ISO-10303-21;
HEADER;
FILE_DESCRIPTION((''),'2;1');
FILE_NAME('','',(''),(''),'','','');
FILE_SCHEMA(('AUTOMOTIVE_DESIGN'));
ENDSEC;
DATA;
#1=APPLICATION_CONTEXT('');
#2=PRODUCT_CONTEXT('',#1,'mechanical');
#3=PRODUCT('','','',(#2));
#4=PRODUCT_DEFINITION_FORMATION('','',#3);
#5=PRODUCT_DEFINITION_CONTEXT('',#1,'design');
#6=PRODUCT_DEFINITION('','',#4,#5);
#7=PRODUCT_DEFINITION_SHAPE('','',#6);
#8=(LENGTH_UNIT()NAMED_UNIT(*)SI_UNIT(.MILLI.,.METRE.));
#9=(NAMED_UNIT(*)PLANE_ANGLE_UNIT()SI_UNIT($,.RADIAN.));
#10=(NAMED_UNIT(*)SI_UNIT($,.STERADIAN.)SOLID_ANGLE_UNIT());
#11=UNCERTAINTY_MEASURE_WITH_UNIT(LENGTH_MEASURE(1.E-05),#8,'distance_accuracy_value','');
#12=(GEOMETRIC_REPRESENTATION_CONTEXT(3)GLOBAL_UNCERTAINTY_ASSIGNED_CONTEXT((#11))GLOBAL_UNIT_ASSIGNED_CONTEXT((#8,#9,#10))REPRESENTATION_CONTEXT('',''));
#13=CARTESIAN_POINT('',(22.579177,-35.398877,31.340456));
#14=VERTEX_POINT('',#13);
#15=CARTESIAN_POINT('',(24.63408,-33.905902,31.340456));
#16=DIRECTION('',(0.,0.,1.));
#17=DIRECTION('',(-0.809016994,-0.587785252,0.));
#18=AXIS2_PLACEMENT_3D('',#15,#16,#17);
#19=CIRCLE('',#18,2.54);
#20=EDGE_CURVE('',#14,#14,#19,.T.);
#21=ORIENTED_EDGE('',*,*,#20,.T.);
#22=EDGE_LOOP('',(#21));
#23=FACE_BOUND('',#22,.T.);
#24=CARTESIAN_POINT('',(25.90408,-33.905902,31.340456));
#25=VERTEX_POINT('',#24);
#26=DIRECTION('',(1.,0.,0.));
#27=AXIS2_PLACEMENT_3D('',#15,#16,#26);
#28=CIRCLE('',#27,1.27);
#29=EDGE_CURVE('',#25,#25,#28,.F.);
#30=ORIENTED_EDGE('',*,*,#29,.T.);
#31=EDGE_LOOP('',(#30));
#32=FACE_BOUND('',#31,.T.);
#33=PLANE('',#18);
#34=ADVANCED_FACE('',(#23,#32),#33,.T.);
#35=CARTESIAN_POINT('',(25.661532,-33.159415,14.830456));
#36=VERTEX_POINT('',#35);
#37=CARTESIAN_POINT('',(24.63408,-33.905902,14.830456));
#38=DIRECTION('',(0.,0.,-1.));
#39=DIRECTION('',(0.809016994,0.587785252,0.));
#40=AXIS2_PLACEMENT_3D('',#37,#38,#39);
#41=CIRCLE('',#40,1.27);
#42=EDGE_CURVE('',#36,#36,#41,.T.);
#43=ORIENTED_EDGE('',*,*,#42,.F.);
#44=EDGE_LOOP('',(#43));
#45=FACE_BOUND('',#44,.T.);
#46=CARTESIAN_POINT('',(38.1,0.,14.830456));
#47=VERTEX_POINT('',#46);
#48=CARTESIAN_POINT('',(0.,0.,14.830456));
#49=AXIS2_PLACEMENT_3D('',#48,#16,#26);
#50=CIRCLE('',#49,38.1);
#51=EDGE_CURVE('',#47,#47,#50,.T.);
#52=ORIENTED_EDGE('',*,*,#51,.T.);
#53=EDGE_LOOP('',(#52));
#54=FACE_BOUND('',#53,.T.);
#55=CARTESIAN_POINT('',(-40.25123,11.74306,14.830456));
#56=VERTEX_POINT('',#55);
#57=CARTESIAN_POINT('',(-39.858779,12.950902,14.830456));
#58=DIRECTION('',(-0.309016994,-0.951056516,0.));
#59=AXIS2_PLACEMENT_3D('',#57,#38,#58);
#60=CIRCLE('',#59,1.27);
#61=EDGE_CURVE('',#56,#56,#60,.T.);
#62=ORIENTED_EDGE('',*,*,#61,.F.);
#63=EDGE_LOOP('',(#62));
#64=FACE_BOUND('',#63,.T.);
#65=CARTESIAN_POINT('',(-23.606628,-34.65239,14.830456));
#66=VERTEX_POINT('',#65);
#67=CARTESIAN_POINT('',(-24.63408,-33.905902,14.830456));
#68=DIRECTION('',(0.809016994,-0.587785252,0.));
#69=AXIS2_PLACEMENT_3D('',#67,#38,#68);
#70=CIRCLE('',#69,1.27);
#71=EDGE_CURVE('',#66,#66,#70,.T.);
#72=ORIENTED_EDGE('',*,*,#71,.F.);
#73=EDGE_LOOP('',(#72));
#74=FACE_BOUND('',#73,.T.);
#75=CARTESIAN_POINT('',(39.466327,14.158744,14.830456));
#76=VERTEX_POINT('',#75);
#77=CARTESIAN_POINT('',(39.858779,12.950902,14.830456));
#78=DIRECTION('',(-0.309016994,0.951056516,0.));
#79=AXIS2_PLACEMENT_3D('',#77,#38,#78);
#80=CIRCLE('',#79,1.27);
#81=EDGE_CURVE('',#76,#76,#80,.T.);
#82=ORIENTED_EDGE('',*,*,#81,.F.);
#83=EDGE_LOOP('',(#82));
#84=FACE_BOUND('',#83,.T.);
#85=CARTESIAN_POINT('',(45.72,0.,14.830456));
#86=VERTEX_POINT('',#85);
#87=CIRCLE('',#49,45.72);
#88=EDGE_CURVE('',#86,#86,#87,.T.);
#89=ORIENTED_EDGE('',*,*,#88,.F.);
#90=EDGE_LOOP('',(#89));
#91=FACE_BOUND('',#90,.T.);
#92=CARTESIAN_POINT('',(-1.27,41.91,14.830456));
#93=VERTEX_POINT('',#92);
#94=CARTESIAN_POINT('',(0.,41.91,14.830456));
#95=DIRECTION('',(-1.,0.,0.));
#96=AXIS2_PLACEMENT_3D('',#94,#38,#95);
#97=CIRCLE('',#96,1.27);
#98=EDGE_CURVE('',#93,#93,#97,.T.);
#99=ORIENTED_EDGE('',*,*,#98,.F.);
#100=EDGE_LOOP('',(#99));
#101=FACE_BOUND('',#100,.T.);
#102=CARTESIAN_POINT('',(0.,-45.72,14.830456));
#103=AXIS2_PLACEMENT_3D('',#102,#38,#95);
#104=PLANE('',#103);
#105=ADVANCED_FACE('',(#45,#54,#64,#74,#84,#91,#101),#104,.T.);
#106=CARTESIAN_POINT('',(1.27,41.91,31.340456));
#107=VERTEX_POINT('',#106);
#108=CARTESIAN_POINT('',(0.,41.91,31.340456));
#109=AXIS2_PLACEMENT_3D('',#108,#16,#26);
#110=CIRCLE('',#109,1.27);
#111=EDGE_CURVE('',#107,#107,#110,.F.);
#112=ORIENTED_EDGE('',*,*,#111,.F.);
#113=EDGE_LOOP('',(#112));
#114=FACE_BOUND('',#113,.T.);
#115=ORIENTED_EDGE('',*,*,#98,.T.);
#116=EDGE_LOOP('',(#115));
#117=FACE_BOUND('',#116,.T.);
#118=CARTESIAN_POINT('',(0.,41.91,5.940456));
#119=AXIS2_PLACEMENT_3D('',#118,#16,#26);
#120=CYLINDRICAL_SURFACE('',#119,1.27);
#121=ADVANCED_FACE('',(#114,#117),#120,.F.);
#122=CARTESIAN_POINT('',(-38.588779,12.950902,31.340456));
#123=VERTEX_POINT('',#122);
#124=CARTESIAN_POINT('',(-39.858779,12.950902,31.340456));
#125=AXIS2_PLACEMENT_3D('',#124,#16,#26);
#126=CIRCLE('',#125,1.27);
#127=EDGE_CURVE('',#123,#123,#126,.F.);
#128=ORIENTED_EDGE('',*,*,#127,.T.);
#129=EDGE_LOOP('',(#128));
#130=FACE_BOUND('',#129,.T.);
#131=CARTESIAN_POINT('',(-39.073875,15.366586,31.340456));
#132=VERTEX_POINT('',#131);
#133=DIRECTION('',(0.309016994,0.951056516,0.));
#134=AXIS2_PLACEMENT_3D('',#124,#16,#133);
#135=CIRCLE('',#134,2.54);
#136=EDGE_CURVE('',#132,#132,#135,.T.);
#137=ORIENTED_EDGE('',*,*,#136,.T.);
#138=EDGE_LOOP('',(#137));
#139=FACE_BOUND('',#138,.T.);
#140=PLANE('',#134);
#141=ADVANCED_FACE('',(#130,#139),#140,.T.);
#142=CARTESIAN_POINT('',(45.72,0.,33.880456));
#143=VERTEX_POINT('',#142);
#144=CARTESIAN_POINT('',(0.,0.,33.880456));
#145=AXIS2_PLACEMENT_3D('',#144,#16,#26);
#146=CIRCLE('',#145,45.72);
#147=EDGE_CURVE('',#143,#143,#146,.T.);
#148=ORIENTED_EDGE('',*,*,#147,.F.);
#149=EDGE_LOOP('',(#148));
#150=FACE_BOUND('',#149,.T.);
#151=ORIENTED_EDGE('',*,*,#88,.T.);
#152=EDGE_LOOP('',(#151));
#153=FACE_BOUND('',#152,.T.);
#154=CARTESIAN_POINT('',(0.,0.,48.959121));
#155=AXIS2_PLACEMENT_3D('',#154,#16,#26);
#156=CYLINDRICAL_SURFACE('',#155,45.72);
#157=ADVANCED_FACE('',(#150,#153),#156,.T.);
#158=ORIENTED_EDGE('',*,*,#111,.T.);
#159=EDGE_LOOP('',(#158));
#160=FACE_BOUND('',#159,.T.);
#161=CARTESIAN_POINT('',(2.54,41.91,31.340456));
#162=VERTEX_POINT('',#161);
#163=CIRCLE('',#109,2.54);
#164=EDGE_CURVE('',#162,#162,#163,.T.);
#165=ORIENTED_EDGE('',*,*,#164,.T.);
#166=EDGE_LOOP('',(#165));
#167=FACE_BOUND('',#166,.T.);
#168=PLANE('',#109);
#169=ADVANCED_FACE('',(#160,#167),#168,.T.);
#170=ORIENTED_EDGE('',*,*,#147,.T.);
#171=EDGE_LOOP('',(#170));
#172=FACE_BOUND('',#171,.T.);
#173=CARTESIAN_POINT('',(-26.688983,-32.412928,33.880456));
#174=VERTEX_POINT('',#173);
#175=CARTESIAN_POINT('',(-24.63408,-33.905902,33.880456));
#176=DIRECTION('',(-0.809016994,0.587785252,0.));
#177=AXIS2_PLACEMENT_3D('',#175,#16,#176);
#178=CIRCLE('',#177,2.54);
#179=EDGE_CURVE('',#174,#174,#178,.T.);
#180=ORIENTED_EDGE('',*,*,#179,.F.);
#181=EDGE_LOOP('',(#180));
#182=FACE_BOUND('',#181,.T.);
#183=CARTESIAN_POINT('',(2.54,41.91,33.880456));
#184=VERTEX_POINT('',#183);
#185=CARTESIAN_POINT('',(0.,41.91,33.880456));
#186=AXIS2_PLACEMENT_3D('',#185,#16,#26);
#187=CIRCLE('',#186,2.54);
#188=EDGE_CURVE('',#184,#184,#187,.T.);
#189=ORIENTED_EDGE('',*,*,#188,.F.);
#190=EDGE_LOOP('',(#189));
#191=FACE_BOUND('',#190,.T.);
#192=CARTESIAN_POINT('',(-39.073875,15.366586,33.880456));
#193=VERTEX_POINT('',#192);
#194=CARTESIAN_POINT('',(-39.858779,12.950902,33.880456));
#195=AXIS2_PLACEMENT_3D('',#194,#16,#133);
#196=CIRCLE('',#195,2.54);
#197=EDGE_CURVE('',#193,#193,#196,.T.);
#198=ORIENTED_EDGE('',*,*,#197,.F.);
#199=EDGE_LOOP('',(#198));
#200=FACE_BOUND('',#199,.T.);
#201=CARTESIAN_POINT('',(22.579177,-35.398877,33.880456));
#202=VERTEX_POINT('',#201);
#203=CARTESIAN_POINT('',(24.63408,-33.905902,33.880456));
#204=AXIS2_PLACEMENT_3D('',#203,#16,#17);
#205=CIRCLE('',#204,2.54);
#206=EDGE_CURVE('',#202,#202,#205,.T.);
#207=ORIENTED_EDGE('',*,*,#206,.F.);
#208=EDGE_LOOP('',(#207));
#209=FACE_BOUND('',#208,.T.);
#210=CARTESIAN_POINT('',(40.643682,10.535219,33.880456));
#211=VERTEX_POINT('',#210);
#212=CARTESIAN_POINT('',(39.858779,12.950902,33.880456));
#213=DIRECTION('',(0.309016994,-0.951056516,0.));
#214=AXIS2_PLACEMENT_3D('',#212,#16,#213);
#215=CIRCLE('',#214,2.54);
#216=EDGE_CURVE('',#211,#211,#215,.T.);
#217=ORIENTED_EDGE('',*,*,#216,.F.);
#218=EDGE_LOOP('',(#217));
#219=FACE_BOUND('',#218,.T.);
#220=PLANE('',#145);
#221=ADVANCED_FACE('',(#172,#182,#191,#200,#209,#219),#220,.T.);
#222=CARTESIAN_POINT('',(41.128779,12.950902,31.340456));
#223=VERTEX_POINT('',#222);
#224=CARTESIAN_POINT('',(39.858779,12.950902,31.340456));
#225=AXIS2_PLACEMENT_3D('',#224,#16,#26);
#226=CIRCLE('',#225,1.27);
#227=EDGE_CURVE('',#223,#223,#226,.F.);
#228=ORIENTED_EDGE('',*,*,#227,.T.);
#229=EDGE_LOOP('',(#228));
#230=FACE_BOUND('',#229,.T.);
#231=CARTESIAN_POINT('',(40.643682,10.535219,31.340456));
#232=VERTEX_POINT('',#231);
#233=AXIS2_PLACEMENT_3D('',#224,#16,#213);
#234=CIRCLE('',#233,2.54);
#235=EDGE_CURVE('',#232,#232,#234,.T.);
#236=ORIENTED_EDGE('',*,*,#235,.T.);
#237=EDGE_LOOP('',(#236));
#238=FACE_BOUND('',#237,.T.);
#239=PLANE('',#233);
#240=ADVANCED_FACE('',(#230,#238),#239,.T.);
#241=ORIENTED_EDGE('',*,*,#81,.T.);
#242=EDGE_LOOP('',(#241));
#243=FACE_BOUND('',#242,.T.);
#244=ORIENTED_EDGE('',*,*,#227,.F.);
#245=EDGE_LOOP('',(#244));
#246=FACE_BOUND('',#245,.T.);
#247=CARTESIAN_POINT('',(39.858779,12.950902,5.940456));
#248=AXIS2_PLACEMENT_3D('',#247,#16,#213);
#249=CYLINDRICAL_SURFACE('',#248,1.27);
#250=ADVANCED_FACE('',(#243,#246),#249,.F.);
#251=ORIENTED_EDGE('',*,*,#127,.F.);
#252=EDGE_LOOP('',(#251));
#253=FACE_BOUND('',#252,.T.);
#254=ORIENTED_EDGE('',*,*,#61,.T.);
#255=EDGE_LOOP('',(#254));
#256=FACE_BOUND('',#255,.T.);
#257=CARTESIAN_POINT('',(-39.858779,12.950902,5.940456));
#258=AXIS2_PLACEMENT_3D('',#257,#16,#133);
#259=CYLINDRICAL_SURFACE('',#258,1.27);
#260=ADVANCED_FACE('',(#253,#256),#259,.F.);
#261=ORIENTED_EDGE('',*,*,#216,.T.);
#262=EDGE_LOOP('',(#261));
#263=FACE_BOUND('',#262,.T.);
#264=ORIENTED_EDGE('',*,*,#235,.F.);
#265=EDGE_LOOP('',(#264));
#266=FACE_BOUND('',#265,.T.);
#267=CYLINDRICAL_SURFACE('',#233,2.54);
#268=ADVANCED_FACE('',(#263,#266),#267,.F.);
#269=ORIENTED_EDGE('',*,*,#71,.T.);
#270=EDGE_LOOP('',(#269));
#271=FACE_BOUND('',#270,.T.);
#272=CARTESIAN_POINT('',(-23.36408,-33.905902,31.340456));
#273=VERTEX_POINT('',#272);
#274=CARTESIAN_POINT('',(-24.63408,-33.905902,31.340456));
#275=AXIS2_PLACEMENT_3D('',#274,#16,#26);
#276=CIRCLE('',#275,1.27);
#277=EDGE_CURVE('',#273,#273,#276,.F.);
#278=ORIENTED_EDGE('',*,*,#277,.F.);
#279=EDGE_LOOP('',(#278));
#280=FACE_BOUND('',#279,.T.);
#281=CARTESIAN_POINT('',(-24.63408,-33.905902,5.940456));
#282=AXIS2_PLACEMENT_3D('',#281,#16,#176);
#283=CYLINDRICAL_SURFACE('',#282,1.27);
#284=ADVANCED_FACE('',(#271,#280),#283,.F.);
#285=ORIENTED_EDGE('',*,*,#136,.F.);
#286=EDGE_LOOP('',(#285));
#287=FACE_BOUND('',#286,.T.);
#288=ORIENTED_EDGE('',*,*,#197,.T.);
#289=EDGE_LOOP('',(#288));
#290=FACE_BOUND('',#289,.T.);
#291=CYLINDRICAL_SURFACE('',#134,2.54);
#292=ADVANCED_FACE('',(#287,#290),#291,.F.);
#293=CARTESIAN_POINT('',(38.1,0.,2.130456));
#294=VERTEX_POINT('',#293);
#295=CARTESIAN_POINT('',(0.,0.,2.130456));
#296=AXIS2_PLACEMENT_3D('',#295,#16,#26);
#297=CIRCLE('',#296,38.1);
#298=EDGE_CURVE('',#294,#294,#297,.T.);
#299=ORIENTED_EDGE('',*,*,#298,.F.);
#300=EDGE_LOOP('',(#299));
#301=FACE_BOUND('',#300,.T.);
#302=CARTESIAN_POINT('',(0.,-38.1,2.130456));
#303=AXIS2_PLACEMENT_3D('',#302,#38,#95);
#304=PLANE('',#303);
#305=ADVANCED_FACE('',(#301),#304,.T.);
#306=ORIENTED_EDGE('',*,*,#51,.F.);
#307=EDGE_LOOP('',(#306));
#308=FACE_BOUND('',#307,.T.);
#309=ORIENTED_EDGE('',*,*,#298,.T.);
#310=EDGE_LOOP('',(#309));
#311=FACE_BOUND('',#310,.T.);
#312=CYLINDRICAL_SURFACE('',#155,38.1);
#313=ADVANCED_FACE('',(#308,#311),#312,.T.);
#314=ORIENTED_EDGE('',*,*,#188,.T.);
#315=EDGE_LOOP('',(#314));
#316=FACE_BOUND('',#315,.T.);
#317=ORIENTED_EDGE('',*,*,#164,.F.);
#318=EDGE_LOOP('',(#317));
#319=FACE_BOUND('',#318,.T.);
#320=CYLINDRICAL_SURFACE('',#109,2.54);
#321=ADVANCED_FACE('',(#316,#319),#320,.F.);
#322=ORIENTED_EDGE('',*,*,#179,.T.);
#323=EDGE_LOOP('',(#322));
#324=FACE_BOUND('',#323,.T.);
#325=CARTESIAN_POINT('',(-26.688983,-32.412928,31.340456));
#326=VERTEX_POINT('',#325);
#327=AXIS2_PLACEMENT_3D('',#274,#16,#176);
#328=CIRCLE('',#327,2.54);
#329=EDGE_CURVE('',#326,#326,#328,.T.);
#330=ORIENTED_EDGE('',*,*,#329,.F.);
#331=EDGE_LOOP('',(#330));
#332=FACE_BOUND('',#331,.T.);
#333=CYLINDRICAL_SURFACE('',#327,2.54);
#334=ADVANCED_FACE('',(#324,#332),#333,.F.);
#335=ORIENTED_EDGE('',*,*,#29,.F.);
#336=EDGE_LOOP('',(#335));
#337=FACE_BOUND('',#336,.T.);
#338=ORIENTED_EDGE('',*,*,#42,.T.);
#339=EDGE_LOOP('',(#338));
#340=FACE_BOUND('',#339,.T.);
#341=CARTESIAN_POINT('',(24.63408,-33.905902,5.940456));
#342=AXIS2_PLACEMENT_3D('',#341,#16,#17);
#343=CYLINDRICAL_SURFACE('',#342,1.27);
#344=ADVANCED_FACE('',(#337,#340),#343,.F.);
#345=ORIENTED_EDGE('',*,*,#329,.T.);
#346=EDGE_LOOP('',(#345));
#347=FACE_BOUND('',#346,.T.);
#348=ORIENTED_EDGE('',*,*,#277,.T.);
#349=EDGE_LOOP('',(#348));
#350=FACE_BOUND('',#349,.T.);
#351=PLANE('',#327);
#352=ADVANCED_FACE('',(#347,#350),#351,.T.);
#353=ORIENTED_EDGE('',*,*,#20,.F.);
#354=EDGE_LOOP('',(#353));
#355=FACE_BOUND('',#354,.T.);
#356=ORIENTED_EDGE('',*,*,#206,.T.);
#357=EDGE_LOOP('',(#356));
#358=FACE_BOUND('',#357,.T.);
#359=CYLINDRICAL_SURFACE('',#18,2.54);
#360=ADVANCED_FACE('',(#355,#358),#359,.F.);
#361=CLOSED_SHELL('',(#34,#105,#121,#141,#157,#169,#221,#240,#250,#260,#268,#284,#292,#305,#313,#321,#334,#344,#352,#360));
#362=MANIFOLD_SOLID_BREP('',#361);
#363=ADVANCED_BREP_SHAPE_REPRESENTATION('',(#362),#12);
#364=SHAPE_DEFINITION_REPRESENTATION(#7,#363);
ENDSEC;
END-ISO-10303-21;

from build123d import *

# Parameters (mm, degrees)
SKETCH2_R          = 1.27
CUT_EXTRUDE1_DEPTH = 27.94
SKETCH3_R          = 2.54
CUT_EXTRUDE5_DEPTH = 2.54
CIRPATTERN1_COUNT  = 5


with BuildPart() as part:
    # Sketch1 → Revolve1 (revolve)
    with BuildSketch(Plane.YZ, mode=Mode.PRIVATE) as revolve1_sk:
        Polygon((0, 33.880456026), (-45.72, 33.880456026), (-45.72, 14.830456026), (-38.1, 14.830456026), (-38.1, 2.130456026), (0, 2.130456026), align=None)
    revolve(revolve1_sk.sketch.rotate(Axis((0, 0, 48.959120521), (0, 0, -1)), 270), axis=Axis((0, 0, 48.959120521), (0, 0, -1)))

    # Sketch2 → Cut-Extrude1 (cut)
    with BuildSketch(Plane.XY.offset(33.880456026)):
        with Locations((0, 41.91)):
            Circle(SKETCH2_R)
    cut_extrude1 = extrude(amount=-CUT_EXTRUDE1_DEPTH, mode=Mode.SUBTRACT)

    # Sketch3 → Cut-Extrude5 (cut)
    with BuildSketch(Plane.XY.offset(33.880456026)):
        with Locations((0, 41.91)):
            Circle(SKETCH3_R)
    cut_extrude5 = extrude(amount=-CUT_EXTRUDE5_DEPTH, mode=Mode.SUBTRACT)

    # CirPattern1: Cut-Extrude1, Cut-Extrude5 ×5 about axis
    cirpattern1_axis = Axis((0, 0, 0), (0, 0, 1))
    add([cut_extrude1.rotate(cirpattern1_axis, i * 360 / CIRPATTERN1_COUNT) for i in range(1, CIRPATTERN1_COUNT)], mode=Mode.SUBTRACT)
    add([cut_extrude5.rotate(cirpattern1_axis, i * 360 / CIRPATTERN1_COUNT) for i in range(1, CIRPATTERN1_COUNT)], mode=Mode.SUBTRACT)


solid = part.part
